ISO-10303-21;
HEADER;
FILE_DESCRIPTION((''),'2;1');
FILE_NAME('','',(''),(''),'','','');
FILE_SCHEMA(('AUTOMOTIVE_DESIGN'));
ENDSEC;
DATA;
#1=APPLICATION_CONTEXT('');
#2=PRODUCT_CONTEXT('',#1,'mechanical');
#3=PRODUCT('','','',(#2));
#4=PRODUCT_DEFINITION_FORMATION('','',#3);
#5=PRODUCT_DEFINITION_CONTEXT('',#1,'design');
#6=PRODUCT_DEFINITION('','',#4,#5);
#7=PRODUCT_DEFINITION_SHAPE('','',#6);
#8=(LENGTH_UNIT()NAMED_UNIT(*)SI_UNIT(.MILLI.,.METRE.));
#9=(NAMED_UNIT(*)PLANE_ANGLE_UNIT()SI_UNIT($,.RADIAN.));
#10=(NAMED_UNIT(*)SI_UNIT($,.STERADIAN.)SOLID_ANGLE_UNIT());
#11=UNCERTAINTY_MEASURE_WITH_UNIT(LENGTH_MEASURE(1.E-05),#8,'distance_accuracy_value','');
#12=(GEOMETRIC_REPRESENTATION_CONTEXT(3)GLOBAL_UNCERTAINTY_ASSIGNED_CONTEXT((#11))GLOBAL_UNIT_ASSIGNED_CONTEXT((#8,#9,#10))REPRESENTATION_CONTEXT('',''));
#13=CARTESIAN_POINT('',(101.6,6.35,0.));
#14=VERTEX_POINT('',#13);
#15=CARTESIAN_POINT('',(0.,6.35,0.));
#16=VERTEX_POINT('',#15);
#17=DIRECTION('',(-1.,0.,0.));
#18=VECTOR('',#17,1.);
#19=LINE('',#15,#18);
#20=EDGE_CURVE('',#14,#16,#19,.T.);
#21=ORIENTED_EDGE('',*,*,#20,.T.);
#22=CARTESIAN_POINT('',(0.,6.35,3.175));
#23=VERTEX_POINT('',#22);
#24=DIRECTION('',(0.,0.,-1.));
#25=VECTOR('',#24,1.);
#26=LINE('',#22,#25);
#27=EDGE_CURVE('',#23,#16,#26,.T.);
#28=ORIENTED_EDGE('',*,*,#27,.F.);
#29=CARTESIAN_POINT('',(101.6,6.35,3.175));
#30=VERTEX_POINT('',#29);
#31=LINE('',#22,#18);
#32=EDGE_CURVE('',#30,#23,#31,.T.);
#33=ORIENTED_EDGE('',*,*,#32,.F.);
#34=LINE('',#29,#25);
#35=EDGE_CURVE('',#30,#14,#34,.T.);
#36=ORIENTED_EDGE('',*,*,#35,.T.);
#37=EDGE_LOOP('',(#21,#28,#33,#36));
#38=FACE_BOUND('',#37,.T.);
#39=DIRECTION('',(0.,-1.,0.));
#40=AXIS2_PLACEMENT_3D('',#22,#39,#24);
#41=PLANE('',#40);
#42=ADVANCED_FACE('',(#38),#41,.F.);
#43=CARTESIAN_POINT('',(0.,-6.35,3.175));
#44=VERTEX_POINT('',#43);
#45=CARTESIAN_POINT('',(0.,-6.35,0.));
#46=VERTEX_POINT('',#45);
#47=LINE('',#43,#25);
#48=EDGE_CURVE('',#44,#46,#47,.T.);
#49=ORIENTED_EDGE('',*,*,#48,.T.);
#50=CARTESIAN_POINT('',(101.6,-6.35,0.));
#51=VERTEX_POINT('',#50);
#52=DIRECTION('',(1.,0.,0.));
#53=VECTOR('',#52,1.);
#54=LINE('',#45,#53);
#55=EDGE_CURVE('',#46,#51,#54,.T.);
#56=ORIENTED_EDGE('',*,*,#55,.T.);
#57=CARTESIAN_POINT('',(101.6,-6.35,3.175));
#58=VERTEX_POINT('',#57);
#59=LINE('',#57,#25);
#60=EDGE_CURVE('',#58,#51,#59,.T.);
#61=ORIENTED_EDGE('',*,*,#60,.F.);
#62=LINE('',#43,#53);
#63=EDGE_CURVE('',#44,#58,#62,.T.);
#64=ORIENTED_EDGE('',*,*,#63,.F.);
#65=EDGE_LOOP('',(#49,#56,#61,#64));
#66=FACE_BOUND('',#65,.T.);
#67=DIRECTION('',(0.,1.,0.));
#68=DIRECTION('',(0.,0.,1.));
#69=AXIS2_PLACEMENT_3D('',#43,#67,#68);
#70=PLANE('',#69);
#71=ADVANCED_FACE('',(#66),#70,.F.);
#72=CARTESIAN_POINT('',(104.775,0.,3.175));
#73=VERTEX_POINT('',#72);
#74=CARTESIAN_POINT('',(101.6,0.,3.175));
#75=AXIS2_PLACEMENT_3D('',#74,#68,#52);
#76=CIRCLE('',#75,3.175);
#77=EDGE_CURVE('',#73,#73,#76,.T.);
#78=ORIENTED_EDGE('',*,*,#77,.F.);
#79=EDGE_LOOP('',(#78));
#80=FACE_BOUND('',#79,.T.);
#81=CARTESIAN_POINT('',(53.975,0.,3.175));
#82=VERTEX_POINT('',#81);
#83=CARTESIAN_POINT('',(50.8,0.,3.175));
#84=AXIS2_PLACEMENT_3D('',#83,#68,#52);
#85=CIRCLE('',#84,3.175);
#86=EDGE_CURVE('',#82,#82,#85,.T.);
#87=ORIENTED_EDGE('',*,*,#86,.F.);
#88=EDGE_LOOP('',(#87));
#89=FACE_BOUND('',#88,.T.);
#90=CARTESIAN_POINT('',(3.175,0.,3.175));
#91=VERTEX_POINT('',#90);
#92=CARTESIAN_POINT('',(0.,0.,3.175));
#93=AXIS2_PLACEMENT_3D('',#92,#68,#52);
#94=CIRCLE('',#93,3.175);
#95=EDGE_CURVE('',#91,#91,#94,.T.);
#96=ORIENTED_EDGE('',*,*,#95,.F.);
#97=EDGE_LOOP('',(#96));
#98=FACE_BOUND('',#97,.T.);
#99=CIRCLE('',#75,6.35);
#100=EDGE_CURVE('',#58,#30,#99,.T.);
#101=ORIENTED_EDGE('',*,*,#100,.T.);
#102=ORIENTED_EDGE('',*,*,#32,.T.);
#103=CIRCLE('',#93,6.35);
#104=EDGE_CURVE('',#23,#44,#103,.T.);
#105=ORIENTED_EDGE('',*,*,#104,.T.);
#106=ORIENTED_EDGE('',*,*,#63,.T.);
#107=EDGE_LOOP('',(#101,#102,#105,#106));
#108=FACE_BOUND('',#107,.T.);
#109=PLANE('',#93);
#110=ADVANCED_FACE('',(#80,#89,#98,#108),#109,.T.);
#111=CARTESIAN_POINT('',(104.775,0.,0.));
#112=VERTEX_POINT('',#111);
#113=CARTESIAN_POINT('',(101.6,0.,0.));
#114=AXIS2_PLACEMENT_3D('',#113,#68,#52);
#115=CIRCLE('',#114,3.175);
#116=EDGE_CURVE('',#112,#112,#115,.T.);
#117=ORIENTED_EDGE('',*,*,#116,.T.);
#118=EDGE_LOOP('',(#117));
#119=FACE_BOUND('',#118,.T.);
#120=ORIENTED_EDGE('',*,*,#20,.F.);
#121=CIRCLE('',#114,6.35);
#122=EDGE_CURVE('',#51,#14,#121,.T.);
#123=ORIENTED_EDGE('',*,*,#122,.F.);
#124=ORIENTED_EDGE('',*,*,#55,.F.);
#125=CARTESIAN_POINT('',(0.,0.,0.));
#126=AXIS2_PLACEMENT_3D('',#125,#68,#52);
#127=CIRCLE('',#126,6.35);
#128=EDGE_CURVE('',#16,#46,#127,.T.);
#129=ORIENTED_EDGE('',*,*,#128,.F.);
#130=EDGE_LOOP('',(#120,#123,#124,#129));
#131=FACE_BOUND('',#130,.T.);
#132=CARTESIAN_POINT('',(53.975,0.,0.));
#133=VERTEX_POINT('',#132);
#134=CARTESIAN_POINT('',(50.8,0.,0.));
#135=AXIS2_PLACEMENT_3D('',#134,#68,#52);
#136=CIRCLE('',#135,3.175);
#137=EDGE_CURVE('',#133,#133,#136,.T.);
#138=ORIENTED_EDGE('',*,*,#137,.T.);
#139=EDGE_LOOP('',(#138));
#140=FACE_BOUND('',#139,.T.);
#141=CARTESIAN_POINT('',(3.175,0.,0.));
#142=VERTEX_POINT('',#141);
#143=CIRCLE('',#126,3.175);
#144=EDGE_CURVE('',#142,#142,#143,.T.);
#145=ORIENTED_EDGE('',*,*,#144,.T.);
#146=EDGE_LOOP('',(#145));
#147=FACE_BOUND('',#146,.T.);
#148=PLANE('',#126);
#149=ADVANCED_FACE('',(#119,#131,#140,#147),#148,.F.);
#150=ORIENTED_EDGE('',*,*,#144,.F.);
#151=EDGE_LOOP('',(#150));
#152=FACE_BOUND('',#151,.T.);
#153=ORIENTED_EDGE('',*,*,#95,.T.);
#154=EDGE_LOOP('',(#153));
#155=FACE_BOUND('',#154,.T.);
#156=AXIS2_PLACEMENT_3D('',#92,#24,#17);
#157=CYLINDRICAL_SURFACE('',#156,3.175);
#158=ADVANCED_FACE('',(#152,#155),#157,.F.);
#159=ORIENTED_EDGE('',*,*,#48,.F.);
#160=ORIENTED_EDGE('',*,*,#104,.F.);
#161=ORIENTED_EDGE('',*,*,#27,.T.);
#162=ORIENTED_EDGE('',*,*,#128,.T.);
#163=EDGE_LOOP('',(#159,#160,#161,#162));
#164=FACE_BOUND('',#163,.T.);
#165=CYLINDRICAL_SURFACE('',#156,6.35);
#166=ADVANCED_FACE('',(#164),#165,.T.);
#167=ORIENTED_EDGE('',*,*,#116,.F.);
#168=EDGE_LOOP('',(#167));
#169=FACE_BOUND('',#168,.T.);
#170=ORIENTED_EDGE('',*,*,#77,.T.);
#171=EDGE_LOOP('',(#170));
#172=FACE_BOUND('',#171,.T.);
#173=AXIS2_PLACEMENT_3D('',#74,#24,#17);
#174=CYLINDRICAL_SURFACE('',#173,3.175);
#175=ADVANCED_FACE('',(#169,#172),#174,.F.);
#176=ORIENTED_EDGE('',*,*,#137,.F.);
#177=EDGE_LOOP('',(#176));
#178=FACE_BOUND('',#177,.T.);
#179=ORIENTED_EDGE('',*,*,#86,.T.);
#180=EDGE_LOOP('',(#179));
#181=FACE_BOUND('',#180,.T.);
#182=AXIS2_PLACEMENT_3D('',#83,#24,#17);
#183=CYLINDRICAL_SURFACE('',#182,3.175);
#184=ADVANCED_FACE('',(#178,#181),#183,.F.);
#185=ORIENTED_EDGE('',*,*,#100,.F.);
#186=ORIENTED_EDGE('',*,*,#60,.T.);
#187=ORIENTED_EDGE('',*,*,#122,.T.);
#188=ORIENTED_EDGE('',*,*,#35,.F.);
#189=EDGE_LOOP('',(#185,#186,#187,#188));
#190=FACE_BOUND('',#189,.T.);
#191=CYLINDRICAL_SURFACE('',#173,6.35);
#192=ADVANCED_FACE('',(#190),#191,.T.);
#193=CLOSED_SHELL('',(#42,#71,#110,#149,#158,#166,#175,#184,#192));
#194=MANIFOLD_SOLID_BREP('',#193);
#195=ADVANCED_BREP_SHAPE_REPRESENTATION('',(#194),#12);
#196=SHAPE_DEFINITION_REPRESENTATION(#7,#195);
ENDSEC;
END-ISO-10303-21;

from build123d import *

# Parameters (mm, degrees)
SKETCH1_R           = 3.175
BOSS_EXTRUDE1_DEPTH = 3.175


with BuildPart() as part:
    # Sketch1 → Boss-Extrude1 (new body)
    with BuildSketch(Plane.XY):
        with BuildLine():
            Line((0, 6.35), (101.6, 6.35))
            ThreePointArc((101.6, 6.35), (107.95, 0), (101.6, -6.35))
            Line((101.6, -6.35), (0, -6.35))
            ThreePointArc((0, -6.35), (-6.35, 0), (0, 6.35))
        make_face()
        Circle(SKETCH1_R, mode=Mode.SUBTRACT)
        with Locations((101.6, 0)):
            Circle(SKETCH1_R, mode=Mode.SUBTRACT)
        with Locations((50.8, 0)):
            Circle(SKETCH1_R, mode=Mode.SUBTRACT)
    extrude(amount=BOSS_EXTRUDE1_DEPTH)


solid = part.part
